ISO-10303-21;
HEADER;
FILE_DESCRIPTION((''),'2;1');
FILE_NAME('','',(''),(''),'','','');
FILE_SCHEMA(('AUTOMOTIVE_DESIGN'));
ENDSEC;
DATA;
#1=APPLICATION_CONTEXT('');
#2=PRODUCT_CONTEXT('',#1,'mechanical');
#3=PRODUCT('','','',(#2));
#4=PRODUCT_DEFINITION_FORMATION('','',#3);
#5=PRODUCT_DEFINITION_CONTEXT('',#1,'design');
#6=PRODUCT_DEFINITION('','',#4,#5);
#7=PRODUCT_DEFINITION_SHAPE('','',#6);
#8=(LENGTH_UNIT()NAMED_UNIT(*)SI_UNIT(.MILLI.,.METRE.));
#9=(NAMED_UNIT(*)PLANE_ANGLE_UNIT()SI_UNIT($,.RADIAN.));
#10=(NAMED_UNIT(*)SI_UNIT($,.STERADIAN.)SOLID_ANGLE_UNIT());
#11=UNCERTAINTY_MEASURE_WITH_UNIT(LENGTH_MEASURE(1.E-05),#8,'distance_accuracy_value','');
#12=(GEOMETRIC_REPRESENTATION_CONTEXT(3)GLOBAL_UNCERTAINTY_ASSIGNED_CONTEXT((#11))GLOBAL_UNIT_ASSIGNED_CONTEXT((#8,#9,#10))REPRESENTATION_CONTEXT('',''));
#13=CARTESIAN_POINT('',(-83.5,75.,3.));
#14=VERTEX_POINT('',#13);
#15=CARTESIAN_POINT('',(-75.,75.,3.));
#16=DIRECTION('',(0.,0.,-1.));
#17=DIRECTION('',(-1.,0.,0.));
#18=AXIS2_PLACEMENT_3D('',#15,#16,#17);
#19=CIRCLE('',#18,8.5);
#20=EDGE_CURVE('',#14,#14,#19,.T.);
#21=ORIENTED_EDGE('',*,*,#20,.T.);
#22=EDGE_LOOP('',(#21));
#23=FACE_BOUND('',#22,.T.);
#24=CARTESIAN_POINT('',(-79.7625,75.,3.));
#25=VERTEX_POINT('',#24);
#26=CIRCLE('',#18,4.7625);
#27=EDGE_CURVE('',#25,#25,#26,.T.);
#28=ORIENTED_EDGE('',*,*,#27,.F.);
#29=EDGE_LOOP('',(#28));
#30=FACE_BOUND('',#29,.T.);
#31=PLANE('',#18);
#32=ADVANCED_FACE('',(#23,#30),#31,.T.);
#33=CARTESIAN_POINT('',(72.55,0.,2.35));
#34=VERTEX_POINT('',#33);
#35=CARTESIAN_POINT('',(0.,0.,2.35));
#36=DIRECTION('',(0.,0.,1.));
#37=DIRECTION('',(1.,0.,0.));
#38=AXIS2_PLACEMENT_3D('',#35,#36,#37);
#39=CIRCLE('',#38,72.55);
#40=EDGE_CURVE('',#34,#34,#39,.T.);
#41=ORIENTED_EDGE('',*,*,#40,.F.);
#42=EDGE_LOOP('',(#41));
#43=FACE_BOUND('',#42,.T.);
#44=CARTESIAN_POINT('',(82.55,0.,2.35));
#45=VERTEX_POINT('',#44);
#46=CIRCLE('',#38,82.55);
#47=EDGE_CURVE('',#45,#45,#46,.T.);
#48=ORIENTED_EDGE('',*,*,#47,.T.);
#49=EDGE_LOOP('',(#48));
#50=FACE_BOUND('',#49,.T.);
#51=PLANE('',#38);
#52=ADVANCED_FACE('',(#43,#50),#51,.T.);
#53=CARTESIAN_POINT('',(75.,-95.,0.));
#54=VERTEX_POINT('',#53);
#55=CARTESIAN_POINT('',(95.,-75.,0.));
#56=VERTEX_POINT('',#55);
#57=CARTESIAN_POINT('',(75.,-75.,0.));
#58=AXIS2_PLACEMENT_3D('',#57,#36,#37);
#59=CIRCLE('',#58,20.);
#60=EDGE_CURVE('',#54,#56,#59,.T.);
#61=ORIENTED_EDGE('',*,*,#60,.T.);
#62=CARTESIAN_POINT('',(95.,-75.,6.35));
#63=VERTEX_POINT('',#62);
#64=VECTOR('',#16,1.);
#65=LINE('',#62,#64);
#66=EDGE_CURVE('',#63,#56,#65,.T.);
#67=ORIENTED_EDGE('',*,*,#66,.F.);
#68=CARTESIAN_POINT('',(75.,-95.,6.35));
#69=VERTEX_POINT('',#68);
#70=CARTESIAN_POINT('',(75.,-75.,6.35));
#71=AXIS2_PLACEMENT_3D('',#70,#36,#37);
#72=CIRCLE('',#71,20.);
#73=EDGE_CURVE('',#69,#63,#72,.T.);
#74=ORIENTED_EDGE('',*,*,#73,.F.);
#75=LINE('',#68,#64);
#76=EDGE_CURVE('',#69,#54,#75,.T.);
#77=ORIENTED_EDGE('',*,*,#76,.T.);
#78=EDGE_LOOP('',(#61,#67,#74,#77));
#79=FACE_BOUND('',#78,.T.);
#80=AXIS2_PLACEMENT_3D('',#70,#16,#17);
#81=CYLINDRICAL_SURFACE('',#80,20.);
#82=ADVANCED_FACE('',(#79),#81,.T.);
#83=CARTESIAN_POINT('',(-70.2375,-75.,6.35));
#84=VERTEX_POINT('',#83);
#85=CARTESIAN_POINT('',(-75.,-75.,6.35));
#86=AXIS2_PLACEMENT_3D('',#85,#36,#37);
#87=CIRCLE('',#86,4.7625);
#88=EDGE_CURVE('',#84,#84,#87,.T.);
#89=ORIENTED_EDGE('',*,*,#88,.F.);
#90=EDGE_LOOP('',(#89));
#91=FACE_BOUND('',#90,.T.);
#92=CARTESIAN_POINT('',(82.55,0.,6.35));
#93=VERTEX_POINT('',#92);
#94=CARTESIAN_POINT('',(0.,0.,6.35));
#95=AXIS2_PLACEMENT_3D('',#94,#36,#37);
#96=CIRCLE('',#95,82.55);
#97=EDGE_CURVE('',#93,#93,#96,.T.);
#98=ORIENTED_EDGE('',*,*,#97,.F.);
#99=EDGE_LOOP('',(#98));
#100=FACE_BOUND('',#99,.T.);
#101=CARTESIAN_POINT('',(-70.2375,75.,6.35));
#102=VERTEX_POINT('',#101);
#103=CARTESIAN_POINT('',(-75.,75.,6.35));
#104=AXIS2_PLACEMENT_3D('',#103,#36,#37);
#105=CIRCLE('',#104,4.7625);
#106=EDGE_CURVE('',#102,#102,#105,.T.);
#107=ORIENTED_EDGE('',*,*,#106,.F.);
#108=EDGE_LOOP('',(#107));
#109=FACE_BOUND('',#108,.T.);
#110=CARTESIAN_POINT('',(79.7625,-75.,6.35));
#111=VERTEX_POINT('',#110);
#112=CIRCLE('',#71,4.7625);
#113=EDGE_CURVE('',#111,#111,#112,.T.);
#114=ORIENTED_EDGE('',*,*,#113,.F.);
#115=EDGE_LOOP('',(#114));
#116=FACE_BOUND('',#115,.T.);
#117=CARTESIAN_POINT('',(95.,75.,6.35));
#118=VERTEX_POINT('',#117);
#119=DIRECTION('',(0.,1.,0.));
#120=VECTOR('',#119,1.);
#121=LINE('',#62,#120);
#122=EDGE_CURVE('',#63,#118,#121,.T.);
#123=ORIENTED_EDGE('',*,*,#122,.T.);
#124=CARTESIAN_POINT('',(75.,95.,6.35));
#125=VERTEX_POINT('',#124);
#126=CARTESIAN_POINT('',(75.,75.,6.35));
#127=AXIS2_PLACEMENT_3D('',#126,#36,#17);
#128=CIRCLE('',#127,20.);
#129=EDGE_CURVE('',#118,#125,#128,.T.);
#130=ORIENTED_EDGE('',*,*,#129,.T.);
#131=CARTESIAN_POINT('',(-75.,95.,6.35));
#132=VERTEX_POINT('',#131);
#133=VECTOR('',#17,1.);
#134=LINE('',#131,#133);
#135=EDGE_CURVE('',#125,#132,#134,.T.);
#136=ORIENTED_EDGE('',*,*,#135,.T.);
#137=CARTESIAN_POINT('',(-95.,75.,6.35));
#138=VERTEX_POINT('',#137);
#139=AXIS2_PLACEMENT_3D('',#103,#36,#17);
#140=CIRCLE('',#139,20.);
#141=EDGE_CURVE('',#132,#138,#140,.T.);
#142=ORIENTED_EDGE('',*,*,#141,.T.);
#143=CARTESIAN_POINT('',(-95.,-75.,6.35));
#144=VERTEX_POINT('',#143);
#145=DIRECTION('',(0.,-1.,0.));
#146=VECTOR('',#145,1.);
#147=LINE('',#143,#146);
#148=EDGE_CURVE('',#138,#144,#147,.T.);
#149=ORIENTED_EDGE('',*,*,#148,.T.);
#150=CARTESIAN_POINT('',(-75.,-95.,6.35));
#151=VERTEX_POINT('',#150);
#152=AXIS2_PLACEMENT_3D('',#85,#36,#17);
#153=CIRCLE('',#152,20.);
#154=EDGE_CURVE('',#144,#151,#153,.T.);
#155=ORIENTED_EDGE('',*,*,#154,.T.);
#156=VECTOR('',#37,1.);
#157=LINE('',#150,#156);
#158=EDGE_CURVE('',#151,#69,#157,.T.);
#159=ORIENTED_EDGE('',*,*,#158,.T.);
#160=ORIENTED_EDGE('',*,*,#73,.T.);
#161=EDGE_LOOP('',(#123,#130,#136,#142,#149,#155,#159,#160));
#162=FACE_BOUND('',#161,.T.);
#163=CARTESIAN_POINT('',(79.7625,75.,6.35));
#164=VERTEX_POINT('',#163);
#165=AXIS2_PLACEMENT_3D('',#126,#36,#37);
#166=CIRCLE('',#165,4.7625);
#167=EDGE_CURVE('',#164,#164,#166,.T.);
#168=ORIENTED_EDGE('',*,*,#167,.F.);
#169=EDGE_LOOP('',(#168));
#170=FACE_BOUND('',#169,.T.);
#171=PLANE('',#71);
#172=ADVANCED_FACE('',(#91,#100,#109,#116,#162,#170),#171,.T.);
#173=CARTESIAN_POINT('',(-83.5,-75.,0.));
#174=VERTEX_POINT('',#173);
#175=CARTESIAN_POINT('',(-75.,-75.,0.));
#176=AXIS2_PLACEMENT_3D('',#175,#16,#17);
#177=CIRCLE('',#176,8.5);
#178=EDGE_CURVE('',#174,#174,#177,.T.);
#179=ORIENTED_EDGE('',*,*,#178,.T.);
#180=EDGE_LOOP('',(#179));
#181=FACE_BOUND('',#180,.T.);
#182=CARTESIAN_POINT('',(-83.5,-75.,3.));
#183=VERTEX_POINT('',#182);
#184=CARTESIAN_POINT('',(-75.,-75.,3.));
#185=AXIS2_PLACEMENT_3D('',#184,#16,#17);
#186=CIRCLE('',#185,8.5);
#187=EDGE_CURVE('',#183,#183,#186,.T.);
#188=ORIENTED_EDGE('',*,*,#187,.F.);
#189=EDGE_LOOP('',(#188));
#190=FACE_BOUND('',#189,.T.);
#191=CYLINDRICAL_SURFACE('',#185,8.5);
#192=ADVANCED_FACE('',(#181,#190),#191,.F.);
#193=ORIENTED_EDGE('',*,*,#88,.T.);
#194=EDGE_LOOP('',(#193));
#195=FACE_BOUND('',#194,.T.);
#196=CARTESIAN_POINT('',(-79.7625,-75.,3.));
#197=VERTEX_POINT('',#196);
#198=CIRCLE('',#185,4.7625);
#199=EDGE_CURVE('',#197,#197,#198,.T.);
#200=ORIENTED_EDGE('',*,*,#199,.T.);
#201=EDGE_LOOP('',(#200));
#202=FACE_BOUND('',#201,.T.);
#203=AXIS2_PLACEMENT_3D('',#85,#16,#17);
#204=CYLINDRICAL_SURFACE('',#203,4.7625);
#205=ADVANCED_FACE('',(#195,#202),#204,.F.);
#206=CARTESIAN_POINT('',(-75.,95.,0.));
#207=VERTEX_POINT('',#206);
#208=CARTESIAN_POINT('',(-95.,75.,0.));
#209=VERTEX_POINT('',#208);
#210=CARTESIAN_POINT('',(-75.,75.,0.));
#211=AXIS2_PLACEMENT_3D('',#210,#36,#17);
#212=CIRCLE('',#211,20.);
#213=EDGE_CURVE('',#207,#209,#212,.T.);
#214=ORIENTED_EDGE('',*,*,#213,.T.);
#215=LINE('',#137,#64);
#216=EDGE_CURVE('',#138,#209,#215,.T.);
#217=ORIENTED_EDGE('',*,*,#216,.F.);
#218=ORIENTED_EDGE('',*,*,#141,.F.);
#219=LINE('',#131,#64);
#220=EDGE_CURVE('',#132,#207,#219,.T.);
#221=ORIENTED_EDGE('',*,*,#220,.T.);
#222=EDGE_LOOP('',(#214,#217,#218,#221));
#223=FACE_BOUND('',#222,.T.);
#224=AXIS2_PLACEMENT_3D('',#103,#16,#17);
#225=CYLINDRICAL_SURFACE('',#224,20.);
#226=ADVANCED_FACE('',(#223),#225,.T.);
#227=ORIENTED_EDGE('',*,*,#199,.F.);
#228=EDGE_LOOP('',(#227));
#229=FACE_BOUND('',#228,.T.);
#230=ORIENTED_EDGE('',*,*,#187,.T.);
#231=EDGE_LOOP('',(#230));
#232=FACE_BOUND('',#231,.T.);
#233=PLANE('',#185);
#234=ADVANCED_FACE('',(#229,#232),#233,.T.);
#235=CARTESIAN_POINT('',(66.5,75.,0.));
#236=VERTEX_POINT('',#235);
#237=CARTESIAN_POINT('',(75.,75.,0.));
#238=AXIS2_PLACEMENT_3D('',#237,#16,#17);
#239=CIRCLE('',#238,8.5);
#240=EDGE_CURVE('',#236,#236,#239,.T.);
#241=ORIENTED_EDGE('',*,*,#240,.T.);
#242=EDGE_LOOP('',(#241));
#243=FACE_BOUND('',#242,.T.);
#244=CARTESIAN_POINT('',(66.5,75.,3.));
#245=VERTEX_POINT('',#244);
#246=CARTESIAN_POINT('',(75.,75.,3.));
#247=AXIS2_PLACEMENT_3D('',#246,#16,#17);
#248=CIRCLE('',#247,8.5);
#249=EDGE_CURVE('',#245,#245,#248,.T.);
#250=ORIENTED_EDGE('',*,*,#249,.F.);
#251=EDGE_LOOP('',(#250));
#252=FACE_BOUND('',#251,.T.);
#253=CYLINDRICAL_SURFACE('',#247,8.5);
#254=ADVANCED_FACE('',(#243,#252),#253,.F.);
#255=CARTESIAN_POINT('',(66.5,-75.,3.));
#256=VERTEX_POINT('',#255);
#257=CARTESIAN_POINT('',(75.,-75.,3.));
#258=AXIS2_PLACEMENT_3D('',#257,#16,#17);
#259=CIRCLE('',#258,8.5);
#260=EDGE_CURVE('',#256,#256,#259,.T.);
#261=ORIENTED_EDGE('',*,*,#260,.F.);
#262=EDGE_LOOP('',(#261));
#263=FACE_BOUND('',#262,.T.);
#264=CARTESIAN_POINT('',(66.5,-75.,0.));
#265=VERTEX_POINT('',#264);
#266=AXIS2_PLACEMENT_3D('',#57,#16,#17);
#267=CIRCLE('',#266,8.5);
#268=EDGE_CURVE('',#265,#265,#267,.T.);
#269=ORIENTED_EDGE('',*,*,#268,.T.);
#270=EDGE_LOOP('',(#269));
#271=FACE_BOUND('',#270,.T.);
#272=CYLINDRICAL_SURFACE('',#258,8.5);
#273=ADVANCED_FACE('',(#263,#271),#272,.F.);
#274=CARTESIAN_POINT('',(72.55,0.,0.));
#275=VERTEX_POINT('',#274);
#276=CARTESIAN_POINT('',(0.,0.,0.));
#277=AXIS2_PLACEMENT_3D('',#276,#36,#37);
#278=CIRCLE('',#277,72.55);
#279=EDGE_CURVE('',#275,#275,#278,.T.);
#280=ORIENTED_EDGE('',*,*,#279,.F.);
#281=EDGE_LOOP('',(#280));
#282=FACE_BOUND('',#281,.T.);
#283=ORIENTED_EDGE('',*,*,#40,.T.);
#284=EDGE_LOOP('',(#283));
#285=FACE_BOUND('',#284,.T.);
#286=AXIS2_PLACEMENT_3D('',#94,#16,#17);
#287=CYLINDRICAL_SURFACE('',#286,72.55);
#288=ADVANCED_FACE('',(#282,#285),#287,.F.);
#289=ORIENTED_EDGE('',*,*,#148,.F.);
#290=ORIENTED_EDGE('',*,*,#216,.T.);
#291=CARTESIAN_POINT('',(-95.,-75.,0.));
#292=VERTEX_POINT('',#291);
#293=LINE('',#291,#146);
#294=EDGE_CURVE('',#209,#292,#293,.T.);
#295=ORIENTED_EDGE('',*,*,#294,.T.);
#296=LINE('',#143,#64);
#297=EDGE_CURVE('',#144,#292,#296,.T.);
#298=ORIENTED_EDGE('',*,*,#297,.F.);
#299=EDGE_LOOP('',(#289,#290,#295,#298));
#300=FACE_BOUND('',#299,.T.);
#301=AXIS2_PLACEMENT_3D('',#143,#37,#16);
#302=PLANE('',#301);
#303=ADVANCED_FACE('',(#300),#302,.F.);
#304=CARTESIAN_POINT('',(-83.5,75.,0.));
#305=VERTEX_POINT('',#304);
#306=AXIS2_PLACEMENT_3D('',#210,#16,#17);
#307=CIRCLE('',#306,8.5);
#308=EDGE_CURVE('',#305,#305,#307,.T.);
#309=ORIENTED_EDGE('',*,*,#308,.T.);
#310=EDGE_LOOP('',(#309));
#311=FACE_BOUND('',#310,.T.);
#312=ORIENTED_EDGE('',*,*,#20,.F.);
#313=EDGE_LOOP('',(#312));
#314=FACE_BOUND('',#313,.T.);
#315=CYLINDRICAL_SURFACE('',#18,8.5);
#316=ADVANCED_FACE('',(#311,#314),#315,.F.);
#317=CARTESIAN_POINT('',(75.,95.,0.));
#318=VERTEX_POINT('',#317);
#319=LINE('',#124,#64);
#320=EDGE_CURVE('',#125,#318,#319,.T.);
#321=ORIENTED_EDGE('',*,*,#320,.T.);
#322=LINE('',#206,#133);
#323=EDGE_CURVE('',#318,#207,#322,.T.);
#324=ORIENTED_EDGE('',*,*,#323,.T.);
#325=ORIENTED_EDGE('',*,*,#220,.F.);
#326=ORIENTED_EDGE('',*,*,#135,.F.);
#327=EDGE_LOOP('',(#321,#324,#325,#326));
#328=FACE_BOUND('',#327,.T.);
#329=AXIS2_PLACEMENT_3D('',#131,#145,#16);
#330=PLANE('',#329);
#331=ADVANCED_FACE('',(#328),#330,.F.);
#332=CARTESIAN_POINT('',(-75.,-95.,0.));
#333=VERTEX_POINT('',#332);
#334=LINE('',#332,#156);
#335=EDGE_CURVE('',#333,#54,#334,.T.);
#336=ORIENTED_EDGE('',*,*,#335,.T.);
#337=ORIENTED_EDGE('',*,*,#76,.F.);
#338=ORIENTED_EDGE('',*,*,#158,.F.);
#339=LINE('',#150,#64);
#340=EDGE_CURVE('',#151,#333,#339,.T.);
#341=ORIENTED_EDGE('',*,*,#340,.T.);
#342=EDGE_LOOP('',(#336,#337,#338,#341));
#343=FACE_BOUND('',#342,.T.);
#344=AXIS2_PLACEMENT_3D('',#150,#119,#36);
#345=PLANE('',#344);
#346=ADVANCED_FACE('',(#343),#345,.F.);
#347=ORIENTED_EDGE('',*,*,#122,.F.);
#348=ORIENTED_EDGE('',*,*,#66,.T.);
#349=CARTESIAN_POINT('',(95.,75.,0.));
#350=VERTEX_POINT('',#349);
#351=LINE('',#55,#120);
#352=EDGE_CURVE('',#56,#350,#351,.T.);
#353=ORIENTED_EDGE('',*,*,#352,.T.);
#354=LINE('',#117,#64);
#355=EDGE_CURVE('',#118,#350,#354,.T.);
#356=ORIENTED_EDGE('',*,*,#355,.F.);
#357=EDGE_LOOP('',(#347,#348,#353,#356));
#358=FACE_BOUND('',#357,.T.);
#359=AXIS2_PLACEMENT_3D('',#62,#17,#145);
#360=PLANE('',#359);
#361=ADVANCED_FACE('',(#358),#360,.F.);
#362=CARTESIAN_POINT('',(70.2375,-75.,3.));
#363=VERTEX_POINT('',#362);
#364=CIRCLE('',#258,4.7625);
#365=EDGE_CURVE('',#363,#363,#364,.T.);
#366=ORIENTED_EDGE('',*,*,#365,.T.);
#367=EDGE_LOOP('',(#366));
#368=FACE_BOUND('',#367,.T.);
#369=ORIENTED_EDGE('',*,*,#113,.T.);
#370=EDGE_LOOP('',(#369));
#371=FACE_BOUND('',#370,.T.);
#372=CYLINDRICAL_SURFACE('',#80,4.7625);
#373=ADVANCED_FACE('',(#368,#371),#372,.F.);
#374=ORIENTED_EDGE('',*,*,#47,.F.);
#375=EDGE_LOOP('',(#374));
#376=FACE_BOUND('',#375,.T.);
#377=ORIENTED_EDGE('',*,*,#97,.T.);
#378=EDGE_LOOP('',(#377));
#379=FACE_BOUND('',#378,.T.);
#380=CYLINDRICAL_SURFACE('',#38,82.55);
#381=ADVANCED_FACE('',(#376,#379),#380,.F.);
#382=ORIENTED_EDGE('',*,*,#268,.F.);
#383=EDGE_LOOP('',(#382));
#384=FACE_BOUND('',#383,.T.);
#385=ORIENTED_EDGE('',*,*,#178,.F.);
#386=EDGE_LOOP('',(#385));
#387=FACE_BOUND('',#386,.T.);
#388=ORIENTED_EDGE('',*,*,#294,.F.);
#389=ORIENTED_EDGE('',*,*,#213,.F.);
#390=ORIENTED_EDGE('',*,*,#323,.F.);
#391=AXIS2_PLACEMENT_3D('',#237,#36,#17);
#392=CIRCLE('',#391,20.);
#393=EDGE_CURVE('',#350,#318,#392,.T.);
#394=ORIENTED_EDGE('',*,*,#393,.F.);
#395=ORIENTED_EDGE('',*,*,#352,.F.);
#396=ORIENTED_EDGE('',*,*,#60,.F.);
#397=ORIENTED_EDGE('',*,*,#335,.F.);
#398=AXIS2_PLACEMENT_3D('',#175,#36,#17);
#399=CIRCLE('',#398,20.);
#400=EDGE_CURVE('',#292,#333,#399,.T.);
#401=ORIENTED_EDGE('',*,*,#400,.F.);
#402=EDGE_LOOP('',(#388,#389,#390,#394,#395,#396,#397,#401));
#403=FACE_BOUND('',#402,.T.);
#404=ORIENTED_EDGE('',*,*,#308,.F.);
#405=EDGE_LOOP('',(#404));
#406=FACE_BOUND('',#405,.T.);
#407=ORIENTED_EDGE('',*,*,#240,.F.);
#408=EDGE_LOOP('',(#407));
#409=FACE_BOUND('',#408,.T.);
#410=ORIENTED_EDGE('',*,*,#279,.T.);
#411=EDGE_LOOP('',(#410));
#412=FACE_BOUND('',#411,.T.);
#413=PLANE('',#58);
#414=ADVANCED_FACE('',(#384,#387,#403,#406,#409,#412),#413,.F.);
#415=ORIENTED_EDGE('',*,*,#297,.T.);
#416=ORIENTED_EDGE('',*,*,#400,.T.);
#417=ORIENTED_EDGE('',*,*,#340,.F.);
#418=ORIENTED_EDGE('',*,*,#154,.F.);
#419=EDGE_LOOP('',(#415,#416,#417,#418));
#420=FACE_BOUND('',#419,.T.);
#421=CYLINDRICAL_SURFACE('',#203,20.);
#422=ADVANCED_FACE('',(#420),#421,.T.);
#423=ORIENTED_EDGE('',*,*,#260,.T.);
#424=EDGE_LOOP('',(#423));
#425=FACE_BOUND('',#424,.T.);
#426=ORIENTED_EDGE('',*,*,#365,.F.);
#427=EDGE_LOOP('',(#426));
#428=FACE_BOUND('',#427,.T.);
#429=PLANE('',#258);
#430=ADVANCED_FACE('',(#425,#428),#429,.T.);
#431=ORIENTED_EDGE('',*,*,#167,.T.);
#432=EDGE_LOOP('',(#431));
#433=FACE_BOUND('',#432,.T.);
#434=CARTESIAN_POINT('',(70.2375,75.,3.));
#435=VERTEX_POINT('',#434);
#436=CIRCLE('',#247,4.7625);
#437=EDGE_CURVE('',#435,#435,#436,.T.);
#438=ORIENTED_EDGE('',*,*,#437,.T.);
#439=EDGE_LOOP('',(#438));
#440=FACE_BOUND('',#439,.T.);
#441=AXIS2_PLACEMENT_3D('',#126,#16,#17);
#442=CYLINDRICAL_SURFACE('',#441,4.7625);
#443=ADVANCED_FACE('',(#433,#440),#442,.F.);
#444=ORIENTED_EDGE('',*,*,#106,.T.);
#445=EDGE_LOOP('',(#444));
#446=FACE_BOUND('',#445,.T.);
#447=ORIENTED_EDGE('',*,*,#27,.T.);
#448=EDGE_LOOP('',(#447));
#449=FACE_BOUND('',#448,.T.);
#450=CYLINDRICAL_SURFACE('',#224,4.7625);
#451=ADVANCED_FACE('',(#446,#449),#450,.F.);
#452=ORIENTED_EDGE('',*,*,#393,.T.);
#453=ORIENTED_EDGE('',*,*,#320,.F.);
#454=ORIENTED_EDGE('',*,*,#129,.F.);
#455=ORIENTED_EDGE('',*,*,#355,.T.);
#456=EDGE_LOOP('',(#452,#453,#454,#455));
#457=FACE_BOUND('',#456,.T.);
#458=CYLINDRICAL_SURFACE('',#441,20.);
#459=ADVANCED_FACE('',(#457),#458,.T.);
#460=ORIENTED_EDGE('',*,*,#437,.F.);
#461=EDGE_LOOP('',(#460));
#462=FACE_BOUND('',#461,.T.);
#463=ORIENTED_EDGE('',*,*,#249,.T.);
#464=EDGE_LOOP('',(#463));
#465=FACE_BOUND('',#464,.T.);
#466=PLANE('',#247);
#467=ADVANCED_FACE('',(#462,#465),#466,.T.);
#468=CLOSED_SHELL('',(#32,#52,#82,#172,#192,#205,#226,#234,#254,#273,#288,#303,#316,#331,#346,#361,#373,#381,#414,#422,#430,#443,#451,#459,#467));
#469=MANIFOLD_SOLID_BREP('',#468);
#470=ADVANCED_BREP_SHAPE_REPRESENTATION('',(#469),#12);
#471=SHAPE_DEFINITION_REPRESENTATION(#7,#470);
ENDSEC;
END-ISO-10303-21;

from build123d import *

# Parameters (mm, degrees)
SKETCH1_R           = 72.55
SKETCH1_R_2         = 4.7625
BOSS_EXTRUDE1_DEPTH = 6.35
SKETCH2_R           = 82.55
CUT_EXTRUDE1_DEPTH  = 4
SKETCH3_R           = 8.5
CUT_EXTRUDE2_DEPTH  = 3


with BuildPart() as part:
    # Sketch1 → Boss-Extrude1 (new body)
    with BuildSketch(Plane.XY):
        with BuildLine():
            Line((-75, -95), (75, -95))
            ThreePointArc((75, -95), (89.142135624, -89.142135624), (95, -75))
            Line((95, -75), (95, 75))
            ThreePointArc((95, 75), (89.142135624, 89.142135624), (75, 95))
            Line((75, 95), (-75, 95))
            ThreePointArc((-75, 95), (-89.142135624, 89.142135624), (-95, 75))
            Line((-95, 75), (-95, -75))
            ThreePointArc((-95, -75), (-89.142135624, -89.142135624), (-75, -95))
        make_face()
        Circle(SKETCH1_R, mode=Mode.SUBTRACT)
        with Locations((-75, 75)):
            Circle(SKETCH1_R_2, mode=Mode.SUBTRACT)
        with Locations((75, 75)):
            Circle(SKETCH1_R_2, mode=Mode.SUBTRACT)
        with Locations((75, -75)):
            Circle(SKETCH1_R_2, mode=Mode.SUBTRACT)
        with Locations((-75, -75)):
            Circle(SKETCH1_R_2, mode=Mode.SUBTRACT)
    extrude(amount=BOSS_EXTRUDE1_DEPTH)

    # Sketch2 → Cut-Extrude1 (cut)
    with BuildSketch(Plane.XY.offset(6.35)):
        Circle(SKETCH2_R)
    extrude(amount=-CUT_EXTRUDE1_DEPTH, mode=Mode.SUBTRACT)

    # Sketch3 → Cut-Extrude2 (cut)
    with BuildSketch(Plane(origin=(0, 0, 0), x_dir=(-1, 0, 0), z_dir=(0, 0, -1))):
        with Locations((-75, 75)):
            Circle(SKETCH3_R)
        with Locations((75, 75)):
            Circle(SKETCH3_R)
        with Locations((75, -75)):
            Circle(SKETCH3_R)
        with Locations((-75, -75)):
            Circle(SKETCH3_R)
    extrude(amount=-CUT_EXTRUDE2_DEPTH, mode=Mode.SUBTRACT)


solid = part.part
